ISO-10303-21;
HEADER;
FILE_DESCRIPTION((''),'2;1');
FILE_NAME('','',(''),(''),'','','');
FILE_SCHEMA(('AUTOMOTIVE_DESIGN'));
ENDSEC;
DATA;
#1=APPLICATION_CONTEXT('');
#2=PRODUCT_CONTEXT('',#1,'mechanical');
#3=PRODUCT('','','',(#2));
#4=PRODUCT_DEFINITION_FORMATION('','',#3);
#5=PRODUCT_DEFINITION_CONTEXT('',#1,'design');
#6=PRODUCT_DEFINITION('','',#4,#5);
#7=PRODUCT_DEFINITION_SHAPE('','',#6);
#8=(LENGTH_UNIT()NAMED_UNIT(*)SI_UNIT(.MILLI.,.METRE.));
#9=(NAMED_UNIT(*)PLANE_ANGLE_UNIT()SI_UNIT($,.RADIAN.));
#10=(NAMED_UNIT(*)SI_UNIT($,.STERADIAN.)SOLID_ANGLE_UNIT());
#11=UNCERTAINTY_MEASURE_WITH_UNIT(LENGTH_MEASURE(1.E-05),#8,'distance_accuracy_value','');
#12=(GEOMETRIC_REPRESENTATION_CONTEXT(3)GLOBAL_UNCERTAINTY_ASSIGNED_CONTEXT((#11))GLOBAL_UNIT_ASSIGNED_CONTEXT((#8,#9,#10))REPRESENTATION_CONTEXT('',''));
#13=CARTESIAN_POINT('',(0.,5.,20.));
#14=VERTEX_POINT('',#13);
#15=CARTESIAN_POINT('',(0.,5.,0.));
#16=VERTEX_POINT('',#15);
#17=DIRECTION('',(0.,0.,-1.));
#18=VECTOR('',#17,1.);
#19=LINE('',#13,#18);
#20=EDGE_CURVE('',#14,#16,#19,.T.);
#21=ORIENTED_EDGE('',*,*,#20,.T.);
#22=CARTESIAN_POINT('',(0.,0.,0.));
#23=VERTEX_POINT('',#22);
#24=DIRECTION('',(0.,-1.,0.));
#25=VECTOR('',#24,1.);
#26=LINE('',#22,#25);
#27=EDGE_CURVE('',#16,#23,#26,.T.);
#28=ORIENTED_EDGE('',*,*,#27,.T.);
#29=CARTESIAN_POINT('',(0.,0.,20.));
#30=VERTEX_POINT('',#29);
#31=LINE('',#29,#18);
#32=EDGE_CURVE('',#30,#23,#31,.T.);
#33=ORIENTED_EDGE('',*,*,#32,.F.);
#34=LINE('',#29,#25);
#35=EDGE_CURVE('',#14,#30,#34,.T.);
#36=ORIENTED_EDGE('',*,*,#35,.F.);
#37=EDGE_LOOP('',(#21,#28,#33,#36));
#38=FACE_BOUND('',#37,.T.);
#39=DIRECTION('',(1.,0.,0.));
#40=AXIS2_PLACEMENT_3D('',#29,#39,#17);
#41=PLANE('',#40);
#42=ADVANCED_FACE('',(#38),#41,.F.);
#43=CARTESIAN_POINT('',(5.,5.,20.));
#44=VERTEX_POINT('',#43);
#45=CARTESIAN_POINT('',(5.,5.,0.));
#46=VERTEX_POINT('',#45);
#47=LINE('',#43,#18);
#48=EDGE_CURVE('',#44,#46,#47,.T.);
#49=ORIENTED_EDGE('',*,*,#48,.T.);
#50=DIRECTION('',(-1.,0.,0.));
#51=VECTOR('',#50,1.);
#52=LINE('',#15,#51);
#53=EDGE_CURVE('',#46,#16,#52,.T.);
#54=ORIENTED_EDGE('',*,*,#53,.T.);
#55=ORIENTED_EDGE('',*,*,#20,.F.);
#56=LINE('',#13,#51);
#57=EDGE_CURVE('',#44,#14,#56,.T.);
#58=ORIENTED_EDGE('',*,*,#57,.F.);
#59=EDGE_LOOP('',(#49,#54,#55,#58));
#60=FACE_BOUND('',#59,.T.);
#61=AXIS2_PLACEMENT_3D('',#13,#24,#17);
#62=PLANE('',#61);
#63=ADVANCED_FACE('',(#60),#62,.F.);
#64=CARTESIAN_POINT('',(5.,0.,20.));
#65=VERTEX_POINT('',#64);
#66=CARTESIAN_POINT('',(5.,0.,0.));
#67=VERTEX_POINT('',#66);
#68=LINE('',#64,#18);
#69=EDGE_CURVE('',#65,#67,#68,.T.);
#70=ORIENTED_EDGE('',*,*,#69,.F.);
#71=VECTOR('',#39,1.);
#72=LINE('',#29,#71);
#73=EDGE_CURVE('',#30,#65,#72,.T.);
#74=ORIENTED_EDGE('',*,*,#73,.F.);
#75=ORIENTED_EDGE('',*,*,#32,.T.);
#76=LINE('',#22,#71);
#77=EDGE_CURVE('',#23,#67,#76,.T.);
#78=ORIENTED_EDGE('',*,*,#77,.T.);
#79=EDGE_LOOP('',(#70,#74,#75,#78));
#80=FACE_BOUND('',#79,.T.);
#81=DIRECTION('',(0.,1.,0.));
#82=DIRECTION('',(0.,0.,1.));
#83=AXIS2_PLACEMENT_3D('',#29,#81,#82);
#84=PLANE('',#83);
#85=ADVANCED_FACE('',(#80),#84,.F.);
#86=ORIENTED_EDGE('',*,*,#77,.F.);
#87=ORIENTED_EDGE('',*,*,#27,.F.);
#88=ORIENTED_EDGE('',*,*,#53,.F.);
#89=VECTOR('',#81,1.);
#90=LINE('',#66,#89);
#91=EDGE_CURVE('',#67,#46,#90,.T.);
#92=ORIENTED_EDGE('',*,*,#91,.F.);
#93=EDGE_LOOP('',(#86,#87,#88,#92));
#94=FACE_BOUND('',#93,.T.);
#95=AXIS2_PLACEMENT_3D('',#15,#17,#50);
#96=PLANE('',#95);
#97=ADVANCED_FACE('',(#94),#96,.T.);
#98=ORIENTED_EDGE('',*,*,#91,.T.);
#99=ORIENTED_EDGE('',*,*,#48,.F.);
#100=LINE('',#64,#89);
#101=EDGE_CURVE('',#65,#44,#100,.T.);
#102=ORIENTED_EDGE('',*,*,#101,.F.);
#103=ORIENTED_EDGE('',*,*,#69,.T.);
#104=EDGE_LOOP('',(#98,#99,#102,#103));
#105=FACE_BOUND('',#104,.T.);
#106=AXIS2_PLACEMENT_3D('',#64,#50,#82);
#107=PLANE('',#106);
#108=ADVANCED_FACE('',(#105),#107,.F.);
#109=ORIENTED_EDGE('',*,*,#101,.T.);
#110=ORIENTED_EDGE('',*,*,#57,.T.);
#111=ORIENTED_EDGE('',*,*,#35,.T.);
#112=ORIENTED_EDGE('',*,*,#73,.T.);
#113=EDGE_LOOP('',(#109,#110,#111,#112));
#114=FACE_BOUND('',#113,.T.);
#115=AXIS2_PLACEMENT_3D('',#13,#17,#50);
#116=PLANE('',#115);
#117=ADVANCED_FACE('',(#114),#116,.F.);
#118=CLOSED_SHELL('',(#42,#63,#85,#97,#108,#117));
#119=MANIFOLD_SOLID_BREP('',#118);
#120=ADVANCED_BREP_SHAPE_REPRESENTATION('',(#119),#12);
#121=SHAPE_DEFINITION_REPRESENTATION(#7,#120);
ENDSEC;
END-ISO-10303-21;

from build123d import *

# Parameters (mm, degrees)
ESBO_O1_W       = 5
ESBO_O1_H       = 5
EXTRUS_O1_DEPTH = 20


with BuildPart() as part:
    # Esboço1 → Extrusão1 (new body)
    with BuildSketch(Plane.XY):
        with Locations((2.5, 2.5)):
            Rectangle(ESBO_O1_W, ESBO_O1_H)
    extrude(amount=EXTRUS_O1_DEPTH)


solid = part.part
